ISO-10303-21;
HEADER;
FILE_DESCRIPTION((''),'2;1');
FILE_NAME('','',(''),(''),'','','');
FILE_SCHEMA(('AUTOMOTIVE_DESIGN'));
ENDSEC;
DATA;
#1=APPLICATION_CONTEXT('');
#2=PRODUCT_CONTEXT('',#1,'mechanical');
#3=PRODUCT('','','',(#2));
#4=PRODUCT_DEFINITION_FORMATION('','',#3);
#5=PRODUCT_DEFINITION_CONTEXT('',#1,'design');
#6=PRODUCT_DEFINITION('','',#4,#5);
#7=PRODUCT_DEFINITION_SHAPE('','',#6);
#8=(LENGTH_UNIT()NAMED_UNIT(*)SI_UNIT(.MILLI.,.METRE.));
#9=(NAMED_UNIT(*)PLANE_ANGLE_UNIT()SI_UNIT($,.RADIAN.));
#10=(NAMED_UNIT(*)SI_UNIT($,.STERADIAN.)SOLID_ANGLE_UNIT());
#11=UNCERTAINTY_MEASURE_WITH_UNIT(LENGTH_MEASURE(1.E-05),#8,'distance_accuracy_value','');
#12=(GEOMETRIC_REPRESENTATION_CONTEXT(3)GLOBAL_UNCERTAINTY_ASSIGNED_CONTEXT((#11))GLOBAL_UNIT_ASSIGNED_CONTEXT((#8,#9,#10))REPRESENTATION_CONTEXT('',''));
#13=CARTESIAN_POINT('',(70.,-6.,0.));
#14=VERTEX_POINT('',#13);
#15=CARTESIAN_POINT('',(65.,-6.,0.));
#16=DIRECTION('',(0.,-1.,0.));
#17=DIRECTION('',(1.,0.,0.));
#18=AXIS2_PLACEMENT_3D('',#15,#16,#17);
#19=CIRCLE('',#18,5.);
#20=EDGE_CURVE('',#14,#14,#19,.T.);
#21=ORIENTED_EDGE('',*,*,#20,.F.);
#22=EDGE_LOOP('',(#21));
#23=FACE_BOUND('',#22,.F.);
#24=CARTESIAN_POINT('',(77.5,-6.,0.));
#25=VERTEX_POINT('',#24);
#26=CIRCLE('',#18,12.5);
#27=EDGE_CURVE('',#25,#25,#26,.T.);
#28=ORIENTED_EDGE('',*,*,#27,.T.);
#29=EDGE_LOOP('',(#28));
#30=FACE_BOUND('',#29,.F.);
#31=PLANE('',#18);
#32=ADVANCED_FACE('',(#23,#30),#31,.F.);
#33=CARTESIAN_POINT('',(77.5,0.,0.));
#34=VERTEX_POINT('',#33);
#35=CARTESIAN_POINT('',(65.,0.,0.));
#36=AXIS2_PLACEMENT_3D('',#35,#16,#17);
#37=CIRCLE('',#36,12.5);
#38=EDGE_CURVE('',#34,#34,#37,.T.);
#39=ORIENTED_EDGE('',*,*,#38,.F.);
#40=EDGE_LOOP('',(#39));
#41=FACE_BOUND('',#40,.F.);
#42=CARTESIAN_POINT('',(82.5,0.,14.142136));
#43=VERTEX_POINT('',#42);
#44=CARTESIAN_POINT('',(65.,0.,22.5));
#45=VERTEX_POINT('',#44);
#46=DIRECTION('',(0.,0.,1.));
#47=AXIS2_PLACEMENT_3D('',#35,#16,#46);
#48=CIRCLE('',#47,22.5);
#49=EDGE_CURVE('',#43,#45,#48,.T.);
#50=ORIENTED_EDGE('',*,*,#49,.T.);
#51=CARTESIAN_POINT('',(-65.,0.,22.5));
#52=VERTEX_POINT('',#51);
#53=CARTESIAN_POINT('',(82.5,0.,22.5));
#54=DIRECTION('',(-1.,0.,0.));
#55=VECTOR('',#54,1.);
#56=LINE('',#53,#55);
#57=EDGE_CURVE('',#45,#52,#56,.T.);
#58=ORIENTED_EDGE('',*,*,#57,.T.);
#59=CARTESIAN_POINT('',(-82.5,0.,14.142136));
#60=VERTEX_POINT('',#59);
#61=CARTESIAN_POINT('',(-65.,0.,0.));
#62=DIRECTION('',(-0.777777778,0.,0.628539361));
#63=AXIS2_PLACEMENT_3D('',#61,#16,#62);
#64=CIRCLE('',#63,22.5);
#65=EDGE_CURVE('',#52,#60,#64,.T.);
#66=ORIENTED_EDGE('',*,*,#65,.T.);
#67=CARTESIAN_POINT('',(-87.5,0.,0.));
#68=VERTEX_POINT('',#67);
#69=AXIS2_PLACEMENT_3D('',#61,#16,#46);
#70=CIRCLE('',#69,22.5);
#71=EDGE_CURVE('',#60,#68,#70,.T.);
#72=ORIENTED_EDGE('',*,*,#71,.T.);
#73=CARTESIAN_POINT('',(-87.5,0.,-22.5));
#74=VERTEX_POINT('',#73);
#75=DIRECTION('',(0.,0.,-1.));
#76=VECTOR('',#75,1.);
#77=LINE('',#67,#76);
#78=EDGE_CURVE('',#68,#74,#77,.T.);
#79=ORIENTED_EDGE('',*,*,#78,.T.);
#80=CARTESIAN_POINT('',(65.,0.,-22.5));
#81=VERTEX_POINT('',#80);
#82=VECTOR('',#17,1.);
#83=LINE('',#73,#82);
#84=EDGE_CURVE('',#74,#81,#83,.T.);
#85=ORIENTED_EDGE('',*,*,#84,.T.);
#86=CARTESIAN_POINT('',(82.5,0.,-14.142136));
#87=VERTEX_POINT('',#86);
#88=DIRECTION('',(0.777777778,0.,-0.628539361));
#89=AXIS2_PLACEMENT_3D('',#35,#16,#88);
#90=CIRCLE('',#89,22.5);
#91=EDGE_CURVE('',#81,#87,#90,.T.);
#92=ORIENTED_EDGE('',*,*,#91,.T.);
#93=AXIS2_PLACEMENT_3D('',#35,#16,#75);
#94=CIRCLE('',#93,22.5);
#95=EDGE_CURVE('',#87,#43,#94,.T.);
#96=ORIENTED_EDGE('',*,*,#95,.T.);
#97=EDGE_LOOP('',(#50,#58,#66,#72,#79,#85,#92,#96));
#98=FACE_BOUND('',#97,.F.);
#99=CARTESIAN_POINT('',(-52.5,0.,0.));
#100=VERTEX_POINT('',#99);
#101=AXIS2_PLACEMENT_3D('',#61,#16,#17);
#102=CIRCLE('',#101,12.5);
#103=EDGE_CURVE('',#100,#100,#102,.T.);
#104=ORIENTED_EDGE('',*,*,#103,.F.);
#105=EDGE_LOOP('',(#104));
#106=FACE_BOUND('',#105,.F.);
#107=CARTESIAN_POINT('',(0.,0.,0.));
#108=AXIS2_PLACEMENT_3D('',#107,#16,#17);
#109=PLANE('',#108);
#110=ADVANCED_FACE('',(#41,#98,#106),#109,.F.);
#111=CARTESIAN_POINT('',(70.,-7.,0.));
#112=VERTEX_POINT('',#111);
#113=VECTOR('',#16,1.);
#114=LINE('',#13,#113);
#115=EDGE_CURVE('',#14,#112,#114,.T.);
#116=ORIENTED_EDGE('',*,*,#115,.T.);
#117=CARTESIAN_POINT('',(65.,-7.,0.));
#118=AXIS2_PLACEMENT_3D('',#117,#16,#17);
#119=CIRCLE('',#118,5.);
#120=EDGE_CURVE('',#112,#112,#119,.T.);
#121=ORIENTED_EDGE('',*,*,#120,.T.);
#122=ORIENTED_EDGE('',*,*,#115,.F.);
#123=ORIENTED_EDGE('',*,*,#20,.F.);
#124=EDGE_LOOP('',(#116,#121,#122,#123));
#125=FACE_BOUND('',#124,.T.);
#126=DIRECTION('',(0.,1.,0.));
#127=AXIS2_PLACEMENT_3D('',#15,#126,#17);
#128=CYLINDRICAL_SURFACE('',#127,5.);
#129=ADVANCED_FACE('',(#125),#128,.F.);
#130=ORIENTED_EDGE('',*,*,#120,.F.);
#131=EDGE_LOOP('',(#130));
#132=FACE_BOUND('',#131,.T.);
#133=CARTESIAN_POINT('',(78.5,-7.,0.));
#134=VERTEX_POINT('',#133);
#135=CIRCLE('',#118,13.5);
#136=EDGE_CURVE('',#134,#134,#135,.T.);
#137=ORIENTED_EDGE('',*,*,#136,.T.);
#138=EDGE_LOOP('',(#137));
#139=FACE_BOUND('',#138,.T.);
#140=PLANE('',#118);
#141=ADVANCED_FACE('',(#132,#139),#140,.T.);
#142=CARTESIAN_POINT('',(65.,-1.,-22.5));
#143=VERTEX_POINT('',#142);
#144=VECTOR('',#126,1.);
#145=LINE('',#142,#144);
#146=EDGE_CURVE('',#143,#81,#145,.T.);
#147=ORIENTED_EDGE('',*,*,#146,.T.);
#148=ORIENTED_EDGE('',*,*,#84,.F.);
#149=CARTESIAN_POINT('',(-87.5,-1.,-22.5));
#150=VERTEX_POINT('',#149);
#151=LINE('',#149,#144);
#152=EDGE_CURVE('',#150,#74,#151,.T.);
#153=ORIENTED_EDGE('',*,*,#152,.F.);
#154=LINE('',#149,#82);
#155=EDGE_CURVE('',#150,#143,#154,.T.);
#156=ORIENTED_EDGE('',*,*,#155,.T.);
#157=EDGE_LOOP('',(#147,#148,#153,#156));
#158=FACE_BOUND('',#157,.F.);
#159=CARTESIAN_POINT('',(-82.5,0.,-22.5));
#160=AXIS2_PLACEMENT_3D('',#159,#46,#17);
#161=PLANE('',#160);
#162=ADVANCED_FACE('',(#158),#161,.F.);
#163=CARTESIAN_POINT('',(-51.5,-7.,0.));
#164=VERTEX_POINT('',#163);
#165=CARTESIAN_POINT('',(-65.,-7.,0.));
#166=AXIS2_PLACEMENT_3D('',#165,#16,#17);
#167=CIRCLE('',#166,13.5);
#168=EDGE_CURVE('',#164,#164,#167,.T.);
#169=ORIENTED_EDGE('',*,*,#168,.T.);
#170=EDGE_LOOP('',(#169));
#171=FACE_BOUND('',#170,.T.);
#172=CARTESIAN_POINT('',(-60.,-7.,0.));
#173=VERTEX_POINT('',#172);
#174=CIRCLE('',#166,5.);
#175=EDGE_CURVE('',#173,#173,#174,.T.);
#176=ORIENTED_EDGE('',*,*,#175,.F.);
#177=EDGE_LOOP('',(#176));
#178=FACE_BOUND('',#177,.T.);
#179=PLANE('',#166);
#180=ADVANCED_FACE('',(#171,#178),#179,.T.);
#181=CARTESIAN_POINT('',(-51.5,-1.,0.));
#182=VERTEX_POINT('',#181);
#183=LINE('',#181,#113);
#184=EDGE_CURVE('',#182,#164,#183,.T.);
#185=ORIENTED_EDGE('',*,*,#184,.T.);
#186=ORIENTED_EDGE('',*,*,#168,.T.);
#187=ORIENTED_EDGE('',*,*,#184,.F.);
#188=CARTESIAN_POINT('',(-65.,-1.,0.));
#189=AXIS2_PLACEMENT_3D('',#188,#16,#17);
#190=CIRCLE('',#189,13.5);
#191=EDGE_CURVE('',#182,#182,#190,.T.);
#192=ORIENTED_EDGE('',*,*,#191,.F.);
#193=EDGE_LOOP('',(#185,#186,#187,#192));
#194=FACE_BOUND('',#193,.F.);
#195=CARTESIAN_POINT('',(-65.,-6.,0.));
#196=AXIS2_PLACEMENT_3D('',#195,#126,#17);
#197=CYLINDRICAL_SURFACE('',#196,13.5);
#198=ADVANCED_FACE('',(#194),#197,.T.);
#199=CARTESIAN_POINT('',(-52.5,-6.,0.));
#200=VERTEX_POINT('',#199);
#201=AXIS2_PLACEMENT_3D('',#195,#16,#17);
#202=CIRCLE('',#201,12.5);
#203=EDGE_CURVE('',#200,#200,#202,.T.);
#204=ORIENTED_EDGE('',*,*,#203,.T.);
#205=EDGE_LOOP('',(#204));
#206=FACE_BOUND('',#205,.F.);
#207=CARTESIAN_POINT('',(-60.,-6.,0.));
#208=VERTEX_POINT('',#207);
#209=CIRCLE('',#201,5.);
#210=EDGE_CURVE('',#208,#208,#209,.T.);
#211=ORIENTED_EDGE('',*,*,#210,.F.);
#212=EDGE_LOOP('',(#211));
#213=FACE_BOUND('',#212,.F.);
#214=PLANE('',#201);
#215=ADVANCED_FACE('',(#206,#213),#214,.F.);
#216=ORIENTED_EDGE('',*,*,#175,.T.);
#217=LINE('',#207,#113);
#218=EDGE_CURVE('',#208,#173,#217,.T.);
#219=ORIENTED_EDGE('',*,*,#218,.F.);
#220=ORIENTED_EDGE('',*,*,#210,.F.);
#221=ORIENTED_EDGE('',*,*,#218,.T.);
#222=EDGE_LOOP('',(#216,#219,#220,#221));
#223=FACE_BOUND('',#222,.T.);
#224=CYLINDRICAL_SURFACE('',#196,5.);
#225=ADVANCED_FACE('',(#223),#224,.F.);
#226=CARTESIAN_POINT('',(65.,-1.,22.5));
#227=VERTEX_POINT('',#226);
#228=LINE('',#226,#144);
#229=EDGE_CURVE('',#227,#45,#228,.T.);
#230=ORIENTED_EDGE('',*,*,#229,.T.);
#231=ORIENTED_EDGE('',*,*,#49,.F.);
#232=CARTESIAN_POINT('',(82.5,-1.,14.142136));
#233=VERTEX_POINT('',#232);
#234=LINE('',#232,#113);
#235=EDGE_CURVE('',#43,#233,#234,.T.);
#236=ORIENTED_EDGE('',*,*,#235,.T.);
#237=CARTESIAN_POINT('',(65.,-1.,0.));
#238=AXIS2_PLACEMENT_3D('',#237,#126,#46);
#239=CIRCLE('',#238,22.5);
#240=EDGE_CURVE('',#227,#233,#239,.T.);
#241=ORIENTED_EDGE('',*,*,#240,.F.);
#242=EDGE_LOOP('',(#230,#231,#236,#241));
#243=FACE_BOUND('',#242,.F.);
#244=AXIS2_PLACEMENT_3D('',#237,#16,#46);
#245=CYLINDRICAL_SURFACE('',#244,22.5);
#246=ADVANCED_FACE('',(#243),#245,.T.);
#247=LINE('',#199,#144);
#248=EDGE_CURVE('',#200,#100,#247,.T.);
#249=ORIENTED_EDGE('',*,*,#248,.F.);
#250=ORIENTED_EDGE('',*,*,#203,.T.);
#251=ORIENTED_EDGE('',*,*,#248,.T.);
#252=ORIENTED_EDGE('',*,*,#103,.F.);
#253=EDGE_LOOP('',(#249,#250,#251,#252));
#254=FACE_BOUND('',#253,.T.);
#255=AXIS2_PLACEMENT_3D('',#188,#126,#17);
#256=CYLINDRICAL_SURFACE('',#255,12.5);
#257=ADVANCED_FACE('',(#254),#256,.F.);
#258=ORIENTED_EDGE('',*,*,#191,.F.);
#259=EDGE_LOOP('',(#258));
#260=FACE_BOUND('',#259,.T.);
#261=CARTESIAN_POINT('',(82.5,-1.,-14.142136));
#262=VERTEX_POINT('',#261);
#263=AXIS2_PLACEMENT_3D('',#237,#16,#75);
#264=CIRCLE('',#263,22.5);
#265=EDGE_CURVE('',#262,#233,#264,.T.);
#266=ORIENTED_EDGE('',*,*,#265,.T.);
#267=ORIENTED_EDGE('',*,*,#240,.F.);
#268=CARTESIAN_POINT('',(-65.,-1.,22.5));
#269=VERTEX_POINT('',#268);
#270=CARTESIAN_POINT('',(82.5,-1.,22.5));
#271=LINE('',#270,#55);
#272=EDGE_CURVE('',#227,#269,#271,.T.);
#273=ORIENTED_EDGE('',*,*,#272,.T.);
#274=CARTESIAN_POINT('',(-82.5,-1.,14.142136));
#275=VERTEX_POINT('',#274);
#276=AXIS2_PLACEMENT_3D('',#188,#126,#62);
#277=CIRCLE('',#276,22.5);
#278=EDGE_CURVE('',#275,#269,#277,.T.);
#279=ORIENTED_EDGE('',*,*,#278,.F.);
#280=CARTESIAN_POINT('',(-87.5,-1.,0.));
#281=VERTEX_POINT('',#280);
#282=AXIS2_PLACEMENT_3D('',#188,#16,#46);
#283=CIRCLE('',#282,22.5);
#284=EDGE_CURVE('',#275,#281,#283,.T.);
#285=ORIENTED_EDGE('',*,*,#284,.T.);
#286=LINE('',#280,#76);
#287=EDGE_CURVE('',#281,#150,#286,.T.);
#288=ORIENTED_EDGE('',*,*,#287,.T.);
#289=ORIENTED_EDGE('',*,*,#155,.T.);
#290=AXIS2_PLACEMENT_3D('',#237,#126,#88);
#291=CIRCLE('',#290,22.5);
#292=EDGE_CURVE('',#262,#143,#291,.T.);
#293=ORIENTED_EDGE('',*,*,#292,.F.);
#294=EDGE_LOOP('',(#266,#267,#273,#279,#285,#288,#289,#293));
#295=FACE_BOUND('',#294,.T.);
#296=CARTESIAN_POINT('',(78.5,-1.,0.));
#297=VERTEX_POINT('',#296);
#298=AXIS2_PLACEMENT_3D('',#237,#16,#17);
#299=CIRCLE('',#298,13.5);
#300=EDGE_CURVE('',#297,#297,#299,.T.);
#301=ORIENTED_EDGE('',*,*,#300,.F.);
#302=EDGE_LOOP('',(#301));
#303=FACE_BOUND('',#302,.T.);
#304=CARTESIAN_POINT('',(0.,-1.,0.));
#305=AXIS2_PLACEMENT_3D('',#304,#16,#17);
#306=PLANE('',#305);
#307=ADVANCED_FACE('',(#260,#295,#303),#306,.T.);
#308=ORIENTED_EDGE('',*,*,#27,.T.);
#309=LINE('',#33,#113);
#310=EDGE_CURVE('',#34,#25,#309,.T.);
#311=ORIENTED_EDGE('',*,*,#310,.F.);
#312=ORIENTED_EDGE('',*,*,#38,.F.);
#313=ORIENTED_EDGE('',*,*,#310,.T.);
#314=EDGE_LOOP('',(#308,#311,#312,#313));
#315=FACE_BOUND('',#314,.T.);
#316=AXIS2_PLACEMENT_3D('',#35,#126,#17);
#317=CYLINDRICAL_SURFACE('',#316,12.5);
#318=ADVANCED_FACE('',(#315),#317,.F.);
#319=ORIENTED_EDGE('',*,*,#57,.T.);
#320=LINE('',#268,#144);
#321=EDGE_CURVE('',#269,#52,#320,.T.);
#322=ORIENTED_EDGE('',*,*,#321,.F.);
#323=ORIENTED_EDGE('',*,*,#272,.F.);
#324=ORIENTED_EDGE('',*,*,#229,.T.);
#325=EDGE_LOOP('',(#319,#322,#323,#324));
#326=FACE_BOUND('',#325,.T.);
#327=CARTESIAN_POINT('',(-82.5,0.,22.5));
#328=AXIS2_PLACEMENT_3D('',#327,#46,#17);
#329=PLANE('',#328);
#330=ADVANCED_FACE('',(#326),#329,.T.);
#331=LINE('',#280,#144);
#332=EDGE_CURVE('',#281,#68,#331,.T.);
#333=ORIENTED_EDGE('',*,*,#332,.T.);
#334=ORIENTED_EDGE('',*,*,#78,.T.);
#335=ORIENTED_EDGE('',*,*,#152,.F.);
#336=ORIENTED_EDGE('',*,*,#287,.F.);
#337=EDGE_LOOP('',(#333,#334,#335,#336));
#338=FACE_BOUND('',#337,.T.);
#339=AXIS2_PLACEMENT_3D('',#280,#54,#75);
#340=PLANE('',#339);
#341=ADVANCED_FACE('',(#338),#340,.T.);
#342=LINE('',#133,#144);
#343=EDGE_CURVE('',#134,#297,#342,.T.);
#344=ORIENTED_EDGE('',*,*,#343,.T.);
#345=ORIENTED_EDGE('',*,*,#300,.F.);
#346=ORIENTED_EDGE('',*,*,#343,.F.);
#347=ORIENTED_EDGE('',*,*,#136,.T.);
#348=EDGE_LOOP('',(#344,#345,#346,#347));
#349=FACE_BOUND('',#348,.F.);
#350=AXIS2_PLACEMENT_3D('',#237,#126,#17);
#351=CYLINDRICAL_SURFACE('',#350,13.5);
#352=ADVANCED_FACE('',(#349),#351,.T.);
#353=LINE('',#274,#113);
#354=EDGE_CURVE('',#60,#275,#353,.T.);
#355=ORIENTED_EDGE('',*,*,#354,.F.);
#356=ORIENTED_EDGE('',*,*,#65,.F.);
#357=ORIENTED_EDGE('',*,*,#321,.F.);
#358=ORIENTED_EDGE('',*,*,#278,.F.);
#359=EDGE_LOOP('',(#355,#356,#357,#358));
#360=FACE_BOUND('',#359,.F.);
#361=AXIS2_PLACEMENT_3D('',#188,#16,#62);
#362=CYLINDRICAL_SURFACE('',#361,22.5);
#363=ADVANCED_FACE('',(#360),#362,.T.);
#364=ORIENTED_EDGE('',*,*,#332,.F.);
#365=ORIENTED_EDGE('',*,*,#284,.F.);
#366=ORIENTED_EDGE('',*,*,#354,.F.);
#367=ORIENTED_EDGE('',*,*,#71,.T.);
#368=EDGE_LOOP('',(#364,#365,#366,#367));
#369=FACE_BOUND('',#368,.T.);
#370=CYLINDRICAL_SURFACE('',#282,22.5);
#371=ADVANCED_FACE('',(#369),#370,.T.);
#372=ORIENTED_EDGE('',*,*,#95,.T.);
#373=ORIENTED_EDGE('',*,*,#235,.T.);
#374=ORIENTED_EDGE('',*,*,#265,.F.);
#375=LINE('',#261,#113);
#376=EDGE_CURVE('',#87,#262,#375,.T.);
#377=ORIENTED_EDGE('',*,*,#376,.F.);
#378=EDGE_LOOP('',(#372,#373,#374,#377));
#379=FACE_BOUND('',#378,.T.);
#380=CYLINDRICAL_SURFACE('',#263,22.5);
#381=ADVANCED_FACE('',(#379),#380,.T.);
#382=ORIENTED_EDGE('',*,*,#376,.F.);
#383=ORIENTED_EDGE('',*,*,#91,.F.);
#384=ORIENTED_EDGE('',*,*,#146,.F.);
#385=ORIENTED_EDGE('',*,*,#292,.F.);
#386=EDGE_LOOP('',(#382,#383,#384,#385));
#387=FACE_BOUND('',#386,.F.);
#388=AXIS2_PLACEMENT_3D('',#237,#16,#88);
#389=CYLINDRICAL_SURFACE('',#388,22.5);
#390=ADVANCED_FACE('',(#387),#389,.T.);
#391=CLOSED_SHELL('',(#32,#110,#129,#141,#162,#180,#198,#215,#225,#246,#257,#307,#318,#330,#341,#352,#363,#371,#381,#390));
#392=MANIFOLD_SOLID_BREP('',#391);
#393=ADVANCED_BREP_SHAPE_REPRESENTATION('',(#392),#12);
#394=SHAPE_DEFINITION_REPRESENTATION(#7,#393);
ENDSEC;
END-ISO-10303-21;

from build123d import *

# Parameters (mm, degrees)
F0_W      = 165
F0_H      = 45
F0_R      = 12.5
F1_DEPTH  = 1
F3_DEPTH  = 1
F4_DEPTH  = 25
F5_DEPTH  = 25
F6_R      = 13.5
F6_R_2    = 12.5
F7_DEPTH  = 5
F8_R      = 13.5
F8_R_2    = 5
F9_DEPTH  = 1
F11_DEPTH = 1


with BuildPart() as f1:
    # F0 (on Front) → F1 (new body)
    with BuildSketch(Plane.XZ):
        Rectangle(F0_W, F0_H)
        with Locations((-65, 0)):
            Circle(F0_R, mode=Mode.SUBTRACT)
        with Locations((65, 0)):
            Circle(F0_R, mode=Mode.SUBTRACT)
    extrude(amount=F1_DEPTH)

    # F2 (on face) → F3 (join)
    with BuildSketch(Plane.XZ.offset(1)):
        with BuildLine():
            Line((68.3925151825, -19.0988145769), (65, -22.5))
            ThreePointArc((65, -22.5), (87.5, 0), (65, 22.5))
            Line((65, 22.5), (71.474224329, 16.2770561874))
            Line((71.474224329, 16.2770561874), (77.4062722921, 9.1145541519))
            Line((77.4062722921, 9.1145541519), (80.3926512599, 2.1407562308))
            Line((80.3926512599, 2.1407562308), (80.3926512599, -5.2317115478))
            Line((80.3926512599, -5.2317115478), (78.3914923668, -12.1520543471))
            Line((78.3914923668, -12.1520543471), (74.6632069349, -14.4081749022))
            Line((74.6632069349, -14.4081749022), (68.3925151825, -19.0988145769))
        make_face()
        with BuildLine():
            Line((-65, 14.9617949501), (-65, 22.5))
            ThreePointArc((-65, 22.5), (-87.5, 0), (-65, -22.5))
            Line((-65, -22.5), (-67.4760043621, -15.6979020685))
            Line((-67.4760043621, -15.6979020685), (-72.8440880775, -12.9142012447))
            Line((-72.8440880775, -12.9142012447), (-76.5851810575, -7.8018400818))
            Line((-76.5851810575, -7.8018400818), (-79.5639529824, 0))
            Line((-79.5639529824, 0), (-79.5639529824, 6.4657721668))
            Line((-79.5639529824, 6.4657721668), (-75.4495188594, 11.7608513683))
            Line((-75.4495188594, 11.7608513683), (-65, 14.9617949501))
        make_face()
    extrude(amount=-F3_DEPTH)

    # F2 (on face) → F4 (cut)
    with BuildSketch(Plane.XZ.offset(1)):
        with BuildLine():
            Line((-82.5, 22.5), (-82.5, 14.1421356237))
            ThreePointArc((-82.5, 14.1421356237), (-74.6966991411, 20.3033008589), (-65, 22.5))
            Line((-65, 22.5), (-82.5, 22.5))
        make_face()
    extrude(amount=-F4_DEPTH, mode=Mode.SUBTRACT)

    # F2 (on face) → F5 (cut)
    with BuildSketch(Plane.XZ.offset(1)):
        with BuildLine():
            ThreePointArc((82.5, -14.1421356237), (74.6966991411, -20.3033008589), (65, -22.5))
            Line((65, -22.5), (82.5, -22.5))
            Line((82.5, -22.5), (82.5, -14.1421356237))
        make_face()
        with BuildLine():
            ThreePointArc((65, 22.5), (74.6966991411, 20.3033008589), (82.5, 14.1421356237))
            Line((82.5, 14.1421356237), (82.5, 22.5))
            Line((82.5, 22.5), (65, 22.5))
        make_face()
        with BuildLine():
            Line((-82.5, -22.5), (-65, -22.5))
            ThreePointArc((-65, -22.5), (-74.6966991411, -20.3033008589), (-82.5, -14.1421356237))
            Line((-82.5, -14.1421356237), (-82.5, -22.5))
        make_face()
    extrude(amount=-F5_DEPTH, mode=Mode.SUBTRACT)

    # F6 (on face) → F7 (join)
    with BuildSketch(Plane.XZ.offset(1)):
        with Locations((-65, 0)):
            Circle(F6_R)
        with Locations((-65, 0)):
            Circle(F6_R_2, mode=Mode.SUBTRACT)
        with Locations((65, 0)):
            Circle(F6_R)
        with Locations((65, 0)):
            Circle(F6_R_2, mode=Mode.SUBTRACT)
    extrude(amount=F7_DEPTH)

    # F8 (on face) → F9 (join)
    with BuildSketch(Plane.XZ.offset(6)):
        with Locations((-65, 0)):
            Circle(F8_R)
        with Locations((-65, 0)):
            Circle(F8_R_2, mode=Mode.SUBTRACT)
        with Locations((65, 0)):
            Circle(F8_R)
        with Locations((65, 0)):
            Circle(F8_R_2, mode=Mode.SUBTRACT)
    extrude(amount=F9_DEPTH)

    # F10 (on face) → F11 (join)
    with BuildSketch(Plane.XZ.offset(1)):
        Polygon((-81.9395110011, 0), (-87.5, 0), (-87.5, -22.5), (-65, -22.5), (-65, -18.5897927731), (-73.3228996396, -16.0001199692), (-80.1934376359, -9.6208481118), align=None)
    extrude(amount=-F11_DEPTH)


solid = f1.part
